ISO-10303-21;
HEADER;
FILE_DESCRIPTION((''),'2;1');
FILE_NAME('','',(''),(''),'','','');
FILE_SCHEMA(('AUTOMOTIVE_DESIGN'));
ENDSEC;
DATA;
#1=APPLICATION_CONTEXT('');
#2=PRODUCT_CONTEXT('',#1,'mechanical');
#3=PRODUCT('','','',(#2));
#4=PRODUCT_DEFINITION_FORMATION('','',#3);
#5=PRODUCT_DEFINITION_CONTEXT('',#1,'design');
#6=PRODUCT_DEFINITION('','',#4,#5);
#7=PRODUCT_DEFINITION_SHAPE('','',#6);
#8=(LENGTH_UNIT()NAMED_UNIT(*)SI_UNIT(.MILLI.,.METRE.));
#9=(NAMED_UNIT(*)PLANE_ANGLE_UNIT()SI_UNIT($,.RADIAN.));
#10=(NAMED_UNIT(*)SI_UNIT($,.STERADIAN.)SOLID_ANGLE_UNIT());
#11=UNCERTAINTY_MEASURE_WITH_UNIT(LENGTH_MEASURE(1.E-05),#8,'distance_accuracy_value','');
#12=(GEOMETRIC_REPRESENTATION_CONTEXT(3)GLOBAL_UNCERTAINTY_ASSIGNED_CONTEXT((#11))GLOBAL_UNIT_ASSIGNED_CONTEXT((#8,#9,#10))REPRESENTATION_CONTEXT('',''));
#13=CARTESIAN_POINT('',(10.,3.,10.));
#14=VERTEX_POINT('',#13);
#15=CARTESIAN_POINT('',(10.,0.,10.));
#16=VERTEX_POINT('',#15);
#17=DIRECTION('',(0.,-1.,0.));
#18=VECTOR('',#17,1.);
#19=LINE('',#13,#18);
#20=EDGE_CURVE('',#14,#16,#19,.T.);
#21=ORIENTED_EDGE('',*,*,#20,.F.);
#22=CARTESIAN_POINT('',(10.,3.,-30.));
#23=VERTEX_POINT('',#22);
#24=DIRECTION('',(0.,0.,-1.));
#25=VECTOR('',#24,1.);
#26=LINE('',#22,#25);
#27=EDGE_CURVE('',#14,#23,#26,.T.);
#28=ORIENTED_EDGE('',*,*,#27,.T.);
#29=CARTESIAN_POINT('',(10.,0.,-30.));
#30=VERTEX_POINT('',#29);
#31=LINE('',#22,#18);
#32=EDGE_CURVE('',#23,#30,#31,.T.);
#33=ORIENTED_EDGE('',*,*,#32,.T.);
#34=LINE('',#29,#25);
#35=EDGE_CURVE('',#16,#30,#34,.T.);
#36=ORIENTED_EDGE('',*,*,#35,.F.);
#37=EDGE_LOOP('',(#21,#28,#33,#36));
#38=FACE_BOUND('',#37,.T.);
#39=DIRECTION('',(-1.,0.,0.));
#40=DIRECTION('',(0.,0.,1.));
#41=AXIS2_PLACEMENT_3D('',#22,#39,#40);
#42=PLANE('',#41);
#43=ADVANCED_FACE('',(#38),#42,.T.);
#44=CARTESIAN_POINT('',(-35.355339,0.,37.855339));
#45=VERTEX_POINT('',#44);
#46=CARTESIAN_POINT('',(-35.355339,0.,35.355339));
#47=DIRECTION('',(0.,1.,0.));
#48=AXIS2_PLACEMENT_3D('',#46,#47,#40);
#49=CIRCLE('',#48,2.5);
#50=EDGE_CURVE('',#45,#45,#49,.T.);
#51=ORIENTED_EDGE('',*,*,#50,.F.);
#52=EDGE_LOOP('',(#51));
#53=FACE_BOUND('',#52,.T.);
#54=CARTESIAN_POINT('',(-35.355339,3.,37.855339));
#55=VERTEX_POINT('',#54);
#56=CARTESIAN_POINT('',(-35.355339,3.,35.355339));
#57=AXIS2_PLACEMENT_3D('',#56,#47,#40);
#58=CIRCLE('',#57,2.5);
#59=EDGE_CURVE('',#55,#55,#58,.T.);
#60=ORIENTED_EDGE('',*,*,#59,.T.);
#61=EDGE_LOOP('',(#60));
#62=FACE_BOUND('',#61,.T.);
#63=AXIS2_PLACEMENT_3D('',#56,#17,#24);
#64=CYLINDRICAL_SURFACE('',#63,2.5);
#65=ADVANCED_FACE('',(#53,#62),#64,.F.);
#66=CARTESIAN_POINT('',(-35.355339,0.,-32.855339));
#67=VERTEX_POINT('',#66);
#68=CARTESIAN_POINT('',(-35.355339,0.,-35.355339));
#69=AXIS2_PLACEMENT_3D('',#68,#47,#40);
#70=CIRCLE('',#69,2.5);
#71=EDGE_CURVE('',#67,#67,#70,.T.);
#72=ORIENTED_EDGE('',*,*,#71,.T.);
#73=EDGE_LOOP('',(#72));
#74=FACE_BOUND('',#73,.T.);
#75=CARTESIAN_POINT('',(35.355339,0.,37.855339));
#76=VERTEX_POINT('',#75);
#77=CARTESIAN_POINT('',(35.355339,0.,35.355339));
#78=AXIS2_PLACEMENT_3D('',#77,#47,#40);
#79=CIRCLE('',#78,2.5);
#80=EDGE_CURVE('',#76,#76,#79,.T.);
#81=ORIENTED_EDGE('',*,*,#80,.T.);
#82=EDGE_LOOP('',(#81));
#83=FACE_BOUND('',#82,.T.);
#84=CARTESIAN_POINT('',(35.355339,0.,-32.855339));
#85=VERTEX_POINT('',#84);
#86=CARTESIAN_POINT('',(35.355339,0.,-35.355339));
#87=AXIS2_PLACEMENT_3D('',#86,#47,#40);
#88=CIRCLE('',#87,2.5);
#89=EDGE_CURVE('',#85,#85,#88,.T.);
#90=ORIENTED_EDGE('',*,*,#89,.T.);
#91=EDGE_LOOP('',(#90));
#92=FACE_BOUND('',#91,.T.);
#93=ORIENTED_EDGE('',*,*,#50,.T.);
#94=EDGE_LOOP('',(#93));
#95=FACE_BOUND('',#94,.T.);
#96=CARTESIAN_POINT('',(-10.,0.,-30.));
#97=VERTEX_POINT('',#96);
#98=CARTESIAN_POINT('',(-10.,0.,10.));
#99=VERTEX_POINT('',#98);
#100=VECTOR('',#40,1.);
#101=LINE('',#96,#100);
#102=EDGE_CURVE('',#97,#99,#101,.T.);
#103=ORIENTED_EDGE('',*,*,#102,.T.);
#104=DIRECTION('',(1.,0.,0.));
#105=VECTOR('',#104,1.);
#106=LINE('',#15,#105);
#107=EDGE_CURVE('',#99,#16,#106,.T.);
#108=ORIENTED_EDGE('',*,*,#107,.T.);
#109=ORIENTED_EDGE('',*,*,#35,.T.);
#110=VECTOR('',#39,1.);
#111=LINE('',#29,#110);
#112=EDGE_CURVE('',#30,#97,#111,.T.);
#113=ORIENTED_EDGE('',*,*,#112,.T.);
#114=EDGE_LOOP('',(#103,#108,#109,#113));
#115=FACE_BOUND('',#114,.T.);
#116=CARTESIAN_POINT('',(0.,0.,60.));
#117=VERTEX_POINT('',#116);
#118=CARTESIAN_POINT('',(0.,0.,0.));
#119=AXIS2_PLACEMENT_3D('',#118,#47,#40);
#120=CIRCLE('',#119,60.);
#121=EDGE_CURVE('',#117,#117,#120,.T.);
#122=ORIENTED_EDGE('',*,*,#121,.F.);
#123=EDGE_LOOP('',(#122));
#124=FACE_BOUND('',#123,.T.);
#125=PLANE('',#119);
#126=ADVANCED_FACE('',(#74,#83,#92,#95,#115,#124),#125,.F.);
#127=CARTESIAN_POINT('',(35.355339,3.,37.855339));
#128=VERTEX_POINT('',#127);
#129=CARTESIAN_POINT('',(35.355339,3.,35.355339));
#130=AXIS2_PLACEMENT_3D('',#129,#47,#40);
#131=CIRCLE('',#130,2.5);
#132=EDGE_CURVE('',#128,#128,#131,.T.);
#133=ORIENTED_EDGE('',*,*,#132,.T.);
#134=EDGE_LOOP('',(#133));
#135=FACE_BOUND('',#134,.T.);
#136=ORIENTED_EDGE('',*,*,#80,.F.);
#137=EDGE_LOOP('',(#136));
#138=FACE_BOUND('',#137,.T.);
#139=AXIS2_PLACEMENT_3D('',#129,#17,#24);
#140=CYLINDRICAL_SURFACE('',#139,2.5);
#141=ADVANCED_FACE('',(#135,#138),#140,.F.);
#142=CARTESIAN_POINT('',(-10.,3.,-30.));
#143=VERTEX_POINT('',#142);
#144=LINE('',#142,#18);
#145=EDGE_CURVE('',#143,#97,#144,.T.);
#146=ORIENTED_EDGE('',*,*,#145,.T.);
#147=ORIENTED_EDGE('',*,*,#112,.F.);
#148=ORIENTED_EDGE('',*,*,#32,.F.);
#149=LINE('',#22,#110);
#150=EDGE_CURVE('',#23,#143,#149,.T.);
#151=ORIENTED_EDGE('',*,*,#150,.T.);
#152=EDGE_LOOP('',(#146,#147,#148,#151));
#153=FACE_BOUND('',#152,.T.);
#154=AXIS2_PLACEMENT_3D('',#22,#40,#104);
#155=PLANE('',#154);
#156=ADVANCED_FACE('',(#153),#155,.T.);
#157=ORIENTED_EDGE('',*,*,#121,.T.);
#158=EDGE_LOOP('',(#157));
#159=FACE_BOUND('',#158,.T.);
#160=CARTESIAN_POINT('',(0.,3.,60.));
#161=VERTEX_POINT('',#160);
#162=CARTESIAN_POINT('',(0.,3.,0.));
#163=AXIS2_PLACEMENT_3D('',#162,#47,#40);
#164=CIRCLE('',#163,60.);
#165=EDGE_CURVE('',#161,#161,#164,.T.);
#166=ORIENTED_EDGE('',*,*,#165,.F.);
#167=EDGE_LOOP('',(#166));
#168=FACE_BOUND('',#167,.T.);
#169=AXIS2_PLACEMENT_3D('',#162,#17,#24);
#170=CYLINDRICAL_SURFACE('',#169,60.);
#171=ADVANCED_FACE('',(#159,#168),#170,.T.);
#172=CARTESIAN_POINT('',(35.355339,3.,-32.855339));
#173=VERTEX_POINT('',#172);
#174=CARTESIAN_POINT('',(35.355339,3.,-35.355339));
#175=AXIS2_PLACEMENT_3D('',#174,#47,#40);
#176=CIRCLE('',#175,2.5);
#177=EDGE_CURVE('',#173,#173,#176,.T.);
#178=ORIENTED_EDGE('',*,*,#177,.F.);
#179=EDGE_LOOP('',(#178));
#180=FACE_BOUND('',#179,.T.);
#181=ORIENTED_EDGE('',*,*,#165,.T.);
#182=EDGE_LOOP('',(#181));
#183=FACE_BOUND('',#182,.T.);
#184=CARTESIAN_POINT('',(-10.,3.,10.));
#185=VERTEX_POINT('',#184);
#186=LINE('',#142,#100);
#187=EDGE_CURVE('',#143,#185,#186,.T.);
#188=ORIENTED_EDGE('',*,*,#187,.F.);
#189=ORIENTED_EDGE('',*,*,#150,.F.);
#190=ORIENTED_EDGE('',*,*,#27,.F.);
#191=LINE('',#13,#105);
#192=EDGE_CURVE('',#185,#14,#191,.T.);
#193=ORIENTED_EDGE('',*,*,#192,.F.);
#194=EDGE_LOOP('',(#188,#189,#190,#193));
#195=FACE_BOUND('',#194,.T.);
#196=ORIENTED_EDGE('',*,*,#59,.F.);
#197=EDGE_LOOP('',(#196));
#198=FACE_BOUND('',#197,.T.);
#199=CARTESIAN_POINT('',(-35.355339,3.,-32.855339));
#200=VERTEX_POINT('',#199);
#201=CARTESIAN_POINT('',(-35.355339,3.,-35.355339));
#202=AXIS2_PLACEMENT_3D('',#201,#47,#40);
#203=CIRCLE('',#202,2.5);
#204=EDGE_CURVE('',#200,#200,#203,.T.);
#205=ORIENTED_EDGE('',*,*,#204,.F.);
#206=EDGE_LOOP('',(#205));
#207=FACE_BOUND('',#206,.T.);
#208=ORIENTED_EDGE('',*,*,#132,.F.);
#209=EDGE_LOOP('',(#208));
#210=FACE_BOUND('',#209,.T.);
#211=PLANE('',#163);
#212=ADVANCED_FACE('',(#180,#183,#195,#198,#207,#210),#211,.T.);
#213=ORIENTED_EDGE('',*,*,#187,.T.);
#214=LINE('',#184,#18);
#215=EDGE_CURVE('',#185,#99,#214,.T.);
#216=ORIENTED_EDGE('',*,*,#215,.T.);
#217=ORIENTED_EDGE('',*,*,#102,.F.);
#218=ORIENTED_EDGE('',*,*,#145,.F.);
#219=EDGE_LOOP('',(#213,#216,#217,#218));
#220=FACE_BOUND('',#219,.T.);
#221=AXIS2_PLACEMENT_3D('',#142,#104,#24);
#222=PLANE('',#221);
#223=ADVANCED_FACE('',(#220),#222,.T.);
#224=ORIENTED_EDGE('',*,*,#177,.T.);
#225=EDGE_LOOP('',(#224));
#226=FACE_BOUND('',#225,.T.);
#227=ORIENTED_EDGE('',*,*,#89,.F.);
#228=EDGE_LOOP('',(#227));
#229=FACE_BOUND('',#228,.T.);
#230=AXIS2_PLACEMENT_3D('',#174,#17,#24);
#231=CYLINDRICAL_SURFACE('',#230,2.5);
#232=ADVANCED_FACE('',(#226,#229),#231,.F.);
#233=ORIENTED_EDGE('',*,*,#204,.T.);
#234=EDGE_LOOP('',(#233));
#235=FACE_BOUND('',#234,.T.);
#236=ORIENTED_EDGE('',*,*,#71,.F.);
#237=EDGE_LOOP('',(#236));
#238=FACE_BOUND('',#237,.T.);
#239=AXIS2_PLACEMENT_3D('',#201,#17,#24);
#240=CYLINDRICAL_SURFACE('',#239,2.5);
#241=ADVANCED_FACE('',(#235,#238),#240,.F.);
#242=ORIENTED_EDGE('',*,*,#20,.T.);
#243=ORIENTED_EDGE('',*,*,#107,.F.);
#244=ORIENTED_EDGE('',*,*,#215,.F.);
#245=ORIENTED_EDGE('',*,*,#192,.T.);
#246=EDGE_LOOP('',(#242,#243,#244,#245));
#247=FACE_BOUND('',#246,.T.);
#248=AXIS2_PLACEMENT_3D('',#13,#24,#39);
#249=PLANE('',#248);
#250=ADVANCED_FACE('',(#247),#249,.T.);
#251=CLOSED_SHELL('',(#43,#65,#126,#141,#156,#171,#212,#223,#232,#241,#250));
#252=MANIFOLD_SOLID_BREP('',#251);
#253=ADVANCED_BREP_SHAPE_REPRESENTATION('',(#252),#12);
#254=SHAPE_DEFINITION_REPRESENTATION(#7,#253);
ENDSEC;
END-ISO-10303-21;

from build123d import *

# Parameters (mm, degrees)
SKETCH_1_R      = 60
SKETCH_1_R_2    = 2.5
SKETCH_1_W      = 20
SKETCH_1_H      = 40
EXTRUDE_1_DEPTH = 3


with BuildPart() as part:
    # 草图1 → 凸台-拉伸1 (new body)
    with BuildSketch(Plane(origin=(0, 0, 0), x_dir=(1, 0, 0), z_dir=(0, 1, 0))):
        with Locations(Location((0, 0, 0), (0, 0, 270))):
            Circle(SKETCH_1_R)
        with Locations(Location((-35.355339059, 35.355339059, 0), (0, 0, 270))):
            Circle(SKETCH_1_R_2, mode=Mode.SUBTRACT)
        with Locations(Location((35.355339059, 35.355339059, 0), (0, 0, 270))):
            Circle(SKETCH_1_R_2, mode=Mode.SUBTRACT)
        with Locations(Location((35.355339059, -35.355339059, 0), (0, 0, 270))):
            Circle(SKETCH_1_R_2, mode=Mode.SUBTRACT)
        with Locations(Location((-35.355339059, -35.355339059, 0), (0, 0, 270))):
            Circle(SKETCH_1_R_2, mode=Mode.SUBTRACT)
        with Locations((0, 10)):
            Rectangle(SKETCH_1_W, SKETCH_1_H, mode=Mode.SUBTRACT)
    extrude(amount=EXTRUDE_1_DEPTH)


solid = part.part
